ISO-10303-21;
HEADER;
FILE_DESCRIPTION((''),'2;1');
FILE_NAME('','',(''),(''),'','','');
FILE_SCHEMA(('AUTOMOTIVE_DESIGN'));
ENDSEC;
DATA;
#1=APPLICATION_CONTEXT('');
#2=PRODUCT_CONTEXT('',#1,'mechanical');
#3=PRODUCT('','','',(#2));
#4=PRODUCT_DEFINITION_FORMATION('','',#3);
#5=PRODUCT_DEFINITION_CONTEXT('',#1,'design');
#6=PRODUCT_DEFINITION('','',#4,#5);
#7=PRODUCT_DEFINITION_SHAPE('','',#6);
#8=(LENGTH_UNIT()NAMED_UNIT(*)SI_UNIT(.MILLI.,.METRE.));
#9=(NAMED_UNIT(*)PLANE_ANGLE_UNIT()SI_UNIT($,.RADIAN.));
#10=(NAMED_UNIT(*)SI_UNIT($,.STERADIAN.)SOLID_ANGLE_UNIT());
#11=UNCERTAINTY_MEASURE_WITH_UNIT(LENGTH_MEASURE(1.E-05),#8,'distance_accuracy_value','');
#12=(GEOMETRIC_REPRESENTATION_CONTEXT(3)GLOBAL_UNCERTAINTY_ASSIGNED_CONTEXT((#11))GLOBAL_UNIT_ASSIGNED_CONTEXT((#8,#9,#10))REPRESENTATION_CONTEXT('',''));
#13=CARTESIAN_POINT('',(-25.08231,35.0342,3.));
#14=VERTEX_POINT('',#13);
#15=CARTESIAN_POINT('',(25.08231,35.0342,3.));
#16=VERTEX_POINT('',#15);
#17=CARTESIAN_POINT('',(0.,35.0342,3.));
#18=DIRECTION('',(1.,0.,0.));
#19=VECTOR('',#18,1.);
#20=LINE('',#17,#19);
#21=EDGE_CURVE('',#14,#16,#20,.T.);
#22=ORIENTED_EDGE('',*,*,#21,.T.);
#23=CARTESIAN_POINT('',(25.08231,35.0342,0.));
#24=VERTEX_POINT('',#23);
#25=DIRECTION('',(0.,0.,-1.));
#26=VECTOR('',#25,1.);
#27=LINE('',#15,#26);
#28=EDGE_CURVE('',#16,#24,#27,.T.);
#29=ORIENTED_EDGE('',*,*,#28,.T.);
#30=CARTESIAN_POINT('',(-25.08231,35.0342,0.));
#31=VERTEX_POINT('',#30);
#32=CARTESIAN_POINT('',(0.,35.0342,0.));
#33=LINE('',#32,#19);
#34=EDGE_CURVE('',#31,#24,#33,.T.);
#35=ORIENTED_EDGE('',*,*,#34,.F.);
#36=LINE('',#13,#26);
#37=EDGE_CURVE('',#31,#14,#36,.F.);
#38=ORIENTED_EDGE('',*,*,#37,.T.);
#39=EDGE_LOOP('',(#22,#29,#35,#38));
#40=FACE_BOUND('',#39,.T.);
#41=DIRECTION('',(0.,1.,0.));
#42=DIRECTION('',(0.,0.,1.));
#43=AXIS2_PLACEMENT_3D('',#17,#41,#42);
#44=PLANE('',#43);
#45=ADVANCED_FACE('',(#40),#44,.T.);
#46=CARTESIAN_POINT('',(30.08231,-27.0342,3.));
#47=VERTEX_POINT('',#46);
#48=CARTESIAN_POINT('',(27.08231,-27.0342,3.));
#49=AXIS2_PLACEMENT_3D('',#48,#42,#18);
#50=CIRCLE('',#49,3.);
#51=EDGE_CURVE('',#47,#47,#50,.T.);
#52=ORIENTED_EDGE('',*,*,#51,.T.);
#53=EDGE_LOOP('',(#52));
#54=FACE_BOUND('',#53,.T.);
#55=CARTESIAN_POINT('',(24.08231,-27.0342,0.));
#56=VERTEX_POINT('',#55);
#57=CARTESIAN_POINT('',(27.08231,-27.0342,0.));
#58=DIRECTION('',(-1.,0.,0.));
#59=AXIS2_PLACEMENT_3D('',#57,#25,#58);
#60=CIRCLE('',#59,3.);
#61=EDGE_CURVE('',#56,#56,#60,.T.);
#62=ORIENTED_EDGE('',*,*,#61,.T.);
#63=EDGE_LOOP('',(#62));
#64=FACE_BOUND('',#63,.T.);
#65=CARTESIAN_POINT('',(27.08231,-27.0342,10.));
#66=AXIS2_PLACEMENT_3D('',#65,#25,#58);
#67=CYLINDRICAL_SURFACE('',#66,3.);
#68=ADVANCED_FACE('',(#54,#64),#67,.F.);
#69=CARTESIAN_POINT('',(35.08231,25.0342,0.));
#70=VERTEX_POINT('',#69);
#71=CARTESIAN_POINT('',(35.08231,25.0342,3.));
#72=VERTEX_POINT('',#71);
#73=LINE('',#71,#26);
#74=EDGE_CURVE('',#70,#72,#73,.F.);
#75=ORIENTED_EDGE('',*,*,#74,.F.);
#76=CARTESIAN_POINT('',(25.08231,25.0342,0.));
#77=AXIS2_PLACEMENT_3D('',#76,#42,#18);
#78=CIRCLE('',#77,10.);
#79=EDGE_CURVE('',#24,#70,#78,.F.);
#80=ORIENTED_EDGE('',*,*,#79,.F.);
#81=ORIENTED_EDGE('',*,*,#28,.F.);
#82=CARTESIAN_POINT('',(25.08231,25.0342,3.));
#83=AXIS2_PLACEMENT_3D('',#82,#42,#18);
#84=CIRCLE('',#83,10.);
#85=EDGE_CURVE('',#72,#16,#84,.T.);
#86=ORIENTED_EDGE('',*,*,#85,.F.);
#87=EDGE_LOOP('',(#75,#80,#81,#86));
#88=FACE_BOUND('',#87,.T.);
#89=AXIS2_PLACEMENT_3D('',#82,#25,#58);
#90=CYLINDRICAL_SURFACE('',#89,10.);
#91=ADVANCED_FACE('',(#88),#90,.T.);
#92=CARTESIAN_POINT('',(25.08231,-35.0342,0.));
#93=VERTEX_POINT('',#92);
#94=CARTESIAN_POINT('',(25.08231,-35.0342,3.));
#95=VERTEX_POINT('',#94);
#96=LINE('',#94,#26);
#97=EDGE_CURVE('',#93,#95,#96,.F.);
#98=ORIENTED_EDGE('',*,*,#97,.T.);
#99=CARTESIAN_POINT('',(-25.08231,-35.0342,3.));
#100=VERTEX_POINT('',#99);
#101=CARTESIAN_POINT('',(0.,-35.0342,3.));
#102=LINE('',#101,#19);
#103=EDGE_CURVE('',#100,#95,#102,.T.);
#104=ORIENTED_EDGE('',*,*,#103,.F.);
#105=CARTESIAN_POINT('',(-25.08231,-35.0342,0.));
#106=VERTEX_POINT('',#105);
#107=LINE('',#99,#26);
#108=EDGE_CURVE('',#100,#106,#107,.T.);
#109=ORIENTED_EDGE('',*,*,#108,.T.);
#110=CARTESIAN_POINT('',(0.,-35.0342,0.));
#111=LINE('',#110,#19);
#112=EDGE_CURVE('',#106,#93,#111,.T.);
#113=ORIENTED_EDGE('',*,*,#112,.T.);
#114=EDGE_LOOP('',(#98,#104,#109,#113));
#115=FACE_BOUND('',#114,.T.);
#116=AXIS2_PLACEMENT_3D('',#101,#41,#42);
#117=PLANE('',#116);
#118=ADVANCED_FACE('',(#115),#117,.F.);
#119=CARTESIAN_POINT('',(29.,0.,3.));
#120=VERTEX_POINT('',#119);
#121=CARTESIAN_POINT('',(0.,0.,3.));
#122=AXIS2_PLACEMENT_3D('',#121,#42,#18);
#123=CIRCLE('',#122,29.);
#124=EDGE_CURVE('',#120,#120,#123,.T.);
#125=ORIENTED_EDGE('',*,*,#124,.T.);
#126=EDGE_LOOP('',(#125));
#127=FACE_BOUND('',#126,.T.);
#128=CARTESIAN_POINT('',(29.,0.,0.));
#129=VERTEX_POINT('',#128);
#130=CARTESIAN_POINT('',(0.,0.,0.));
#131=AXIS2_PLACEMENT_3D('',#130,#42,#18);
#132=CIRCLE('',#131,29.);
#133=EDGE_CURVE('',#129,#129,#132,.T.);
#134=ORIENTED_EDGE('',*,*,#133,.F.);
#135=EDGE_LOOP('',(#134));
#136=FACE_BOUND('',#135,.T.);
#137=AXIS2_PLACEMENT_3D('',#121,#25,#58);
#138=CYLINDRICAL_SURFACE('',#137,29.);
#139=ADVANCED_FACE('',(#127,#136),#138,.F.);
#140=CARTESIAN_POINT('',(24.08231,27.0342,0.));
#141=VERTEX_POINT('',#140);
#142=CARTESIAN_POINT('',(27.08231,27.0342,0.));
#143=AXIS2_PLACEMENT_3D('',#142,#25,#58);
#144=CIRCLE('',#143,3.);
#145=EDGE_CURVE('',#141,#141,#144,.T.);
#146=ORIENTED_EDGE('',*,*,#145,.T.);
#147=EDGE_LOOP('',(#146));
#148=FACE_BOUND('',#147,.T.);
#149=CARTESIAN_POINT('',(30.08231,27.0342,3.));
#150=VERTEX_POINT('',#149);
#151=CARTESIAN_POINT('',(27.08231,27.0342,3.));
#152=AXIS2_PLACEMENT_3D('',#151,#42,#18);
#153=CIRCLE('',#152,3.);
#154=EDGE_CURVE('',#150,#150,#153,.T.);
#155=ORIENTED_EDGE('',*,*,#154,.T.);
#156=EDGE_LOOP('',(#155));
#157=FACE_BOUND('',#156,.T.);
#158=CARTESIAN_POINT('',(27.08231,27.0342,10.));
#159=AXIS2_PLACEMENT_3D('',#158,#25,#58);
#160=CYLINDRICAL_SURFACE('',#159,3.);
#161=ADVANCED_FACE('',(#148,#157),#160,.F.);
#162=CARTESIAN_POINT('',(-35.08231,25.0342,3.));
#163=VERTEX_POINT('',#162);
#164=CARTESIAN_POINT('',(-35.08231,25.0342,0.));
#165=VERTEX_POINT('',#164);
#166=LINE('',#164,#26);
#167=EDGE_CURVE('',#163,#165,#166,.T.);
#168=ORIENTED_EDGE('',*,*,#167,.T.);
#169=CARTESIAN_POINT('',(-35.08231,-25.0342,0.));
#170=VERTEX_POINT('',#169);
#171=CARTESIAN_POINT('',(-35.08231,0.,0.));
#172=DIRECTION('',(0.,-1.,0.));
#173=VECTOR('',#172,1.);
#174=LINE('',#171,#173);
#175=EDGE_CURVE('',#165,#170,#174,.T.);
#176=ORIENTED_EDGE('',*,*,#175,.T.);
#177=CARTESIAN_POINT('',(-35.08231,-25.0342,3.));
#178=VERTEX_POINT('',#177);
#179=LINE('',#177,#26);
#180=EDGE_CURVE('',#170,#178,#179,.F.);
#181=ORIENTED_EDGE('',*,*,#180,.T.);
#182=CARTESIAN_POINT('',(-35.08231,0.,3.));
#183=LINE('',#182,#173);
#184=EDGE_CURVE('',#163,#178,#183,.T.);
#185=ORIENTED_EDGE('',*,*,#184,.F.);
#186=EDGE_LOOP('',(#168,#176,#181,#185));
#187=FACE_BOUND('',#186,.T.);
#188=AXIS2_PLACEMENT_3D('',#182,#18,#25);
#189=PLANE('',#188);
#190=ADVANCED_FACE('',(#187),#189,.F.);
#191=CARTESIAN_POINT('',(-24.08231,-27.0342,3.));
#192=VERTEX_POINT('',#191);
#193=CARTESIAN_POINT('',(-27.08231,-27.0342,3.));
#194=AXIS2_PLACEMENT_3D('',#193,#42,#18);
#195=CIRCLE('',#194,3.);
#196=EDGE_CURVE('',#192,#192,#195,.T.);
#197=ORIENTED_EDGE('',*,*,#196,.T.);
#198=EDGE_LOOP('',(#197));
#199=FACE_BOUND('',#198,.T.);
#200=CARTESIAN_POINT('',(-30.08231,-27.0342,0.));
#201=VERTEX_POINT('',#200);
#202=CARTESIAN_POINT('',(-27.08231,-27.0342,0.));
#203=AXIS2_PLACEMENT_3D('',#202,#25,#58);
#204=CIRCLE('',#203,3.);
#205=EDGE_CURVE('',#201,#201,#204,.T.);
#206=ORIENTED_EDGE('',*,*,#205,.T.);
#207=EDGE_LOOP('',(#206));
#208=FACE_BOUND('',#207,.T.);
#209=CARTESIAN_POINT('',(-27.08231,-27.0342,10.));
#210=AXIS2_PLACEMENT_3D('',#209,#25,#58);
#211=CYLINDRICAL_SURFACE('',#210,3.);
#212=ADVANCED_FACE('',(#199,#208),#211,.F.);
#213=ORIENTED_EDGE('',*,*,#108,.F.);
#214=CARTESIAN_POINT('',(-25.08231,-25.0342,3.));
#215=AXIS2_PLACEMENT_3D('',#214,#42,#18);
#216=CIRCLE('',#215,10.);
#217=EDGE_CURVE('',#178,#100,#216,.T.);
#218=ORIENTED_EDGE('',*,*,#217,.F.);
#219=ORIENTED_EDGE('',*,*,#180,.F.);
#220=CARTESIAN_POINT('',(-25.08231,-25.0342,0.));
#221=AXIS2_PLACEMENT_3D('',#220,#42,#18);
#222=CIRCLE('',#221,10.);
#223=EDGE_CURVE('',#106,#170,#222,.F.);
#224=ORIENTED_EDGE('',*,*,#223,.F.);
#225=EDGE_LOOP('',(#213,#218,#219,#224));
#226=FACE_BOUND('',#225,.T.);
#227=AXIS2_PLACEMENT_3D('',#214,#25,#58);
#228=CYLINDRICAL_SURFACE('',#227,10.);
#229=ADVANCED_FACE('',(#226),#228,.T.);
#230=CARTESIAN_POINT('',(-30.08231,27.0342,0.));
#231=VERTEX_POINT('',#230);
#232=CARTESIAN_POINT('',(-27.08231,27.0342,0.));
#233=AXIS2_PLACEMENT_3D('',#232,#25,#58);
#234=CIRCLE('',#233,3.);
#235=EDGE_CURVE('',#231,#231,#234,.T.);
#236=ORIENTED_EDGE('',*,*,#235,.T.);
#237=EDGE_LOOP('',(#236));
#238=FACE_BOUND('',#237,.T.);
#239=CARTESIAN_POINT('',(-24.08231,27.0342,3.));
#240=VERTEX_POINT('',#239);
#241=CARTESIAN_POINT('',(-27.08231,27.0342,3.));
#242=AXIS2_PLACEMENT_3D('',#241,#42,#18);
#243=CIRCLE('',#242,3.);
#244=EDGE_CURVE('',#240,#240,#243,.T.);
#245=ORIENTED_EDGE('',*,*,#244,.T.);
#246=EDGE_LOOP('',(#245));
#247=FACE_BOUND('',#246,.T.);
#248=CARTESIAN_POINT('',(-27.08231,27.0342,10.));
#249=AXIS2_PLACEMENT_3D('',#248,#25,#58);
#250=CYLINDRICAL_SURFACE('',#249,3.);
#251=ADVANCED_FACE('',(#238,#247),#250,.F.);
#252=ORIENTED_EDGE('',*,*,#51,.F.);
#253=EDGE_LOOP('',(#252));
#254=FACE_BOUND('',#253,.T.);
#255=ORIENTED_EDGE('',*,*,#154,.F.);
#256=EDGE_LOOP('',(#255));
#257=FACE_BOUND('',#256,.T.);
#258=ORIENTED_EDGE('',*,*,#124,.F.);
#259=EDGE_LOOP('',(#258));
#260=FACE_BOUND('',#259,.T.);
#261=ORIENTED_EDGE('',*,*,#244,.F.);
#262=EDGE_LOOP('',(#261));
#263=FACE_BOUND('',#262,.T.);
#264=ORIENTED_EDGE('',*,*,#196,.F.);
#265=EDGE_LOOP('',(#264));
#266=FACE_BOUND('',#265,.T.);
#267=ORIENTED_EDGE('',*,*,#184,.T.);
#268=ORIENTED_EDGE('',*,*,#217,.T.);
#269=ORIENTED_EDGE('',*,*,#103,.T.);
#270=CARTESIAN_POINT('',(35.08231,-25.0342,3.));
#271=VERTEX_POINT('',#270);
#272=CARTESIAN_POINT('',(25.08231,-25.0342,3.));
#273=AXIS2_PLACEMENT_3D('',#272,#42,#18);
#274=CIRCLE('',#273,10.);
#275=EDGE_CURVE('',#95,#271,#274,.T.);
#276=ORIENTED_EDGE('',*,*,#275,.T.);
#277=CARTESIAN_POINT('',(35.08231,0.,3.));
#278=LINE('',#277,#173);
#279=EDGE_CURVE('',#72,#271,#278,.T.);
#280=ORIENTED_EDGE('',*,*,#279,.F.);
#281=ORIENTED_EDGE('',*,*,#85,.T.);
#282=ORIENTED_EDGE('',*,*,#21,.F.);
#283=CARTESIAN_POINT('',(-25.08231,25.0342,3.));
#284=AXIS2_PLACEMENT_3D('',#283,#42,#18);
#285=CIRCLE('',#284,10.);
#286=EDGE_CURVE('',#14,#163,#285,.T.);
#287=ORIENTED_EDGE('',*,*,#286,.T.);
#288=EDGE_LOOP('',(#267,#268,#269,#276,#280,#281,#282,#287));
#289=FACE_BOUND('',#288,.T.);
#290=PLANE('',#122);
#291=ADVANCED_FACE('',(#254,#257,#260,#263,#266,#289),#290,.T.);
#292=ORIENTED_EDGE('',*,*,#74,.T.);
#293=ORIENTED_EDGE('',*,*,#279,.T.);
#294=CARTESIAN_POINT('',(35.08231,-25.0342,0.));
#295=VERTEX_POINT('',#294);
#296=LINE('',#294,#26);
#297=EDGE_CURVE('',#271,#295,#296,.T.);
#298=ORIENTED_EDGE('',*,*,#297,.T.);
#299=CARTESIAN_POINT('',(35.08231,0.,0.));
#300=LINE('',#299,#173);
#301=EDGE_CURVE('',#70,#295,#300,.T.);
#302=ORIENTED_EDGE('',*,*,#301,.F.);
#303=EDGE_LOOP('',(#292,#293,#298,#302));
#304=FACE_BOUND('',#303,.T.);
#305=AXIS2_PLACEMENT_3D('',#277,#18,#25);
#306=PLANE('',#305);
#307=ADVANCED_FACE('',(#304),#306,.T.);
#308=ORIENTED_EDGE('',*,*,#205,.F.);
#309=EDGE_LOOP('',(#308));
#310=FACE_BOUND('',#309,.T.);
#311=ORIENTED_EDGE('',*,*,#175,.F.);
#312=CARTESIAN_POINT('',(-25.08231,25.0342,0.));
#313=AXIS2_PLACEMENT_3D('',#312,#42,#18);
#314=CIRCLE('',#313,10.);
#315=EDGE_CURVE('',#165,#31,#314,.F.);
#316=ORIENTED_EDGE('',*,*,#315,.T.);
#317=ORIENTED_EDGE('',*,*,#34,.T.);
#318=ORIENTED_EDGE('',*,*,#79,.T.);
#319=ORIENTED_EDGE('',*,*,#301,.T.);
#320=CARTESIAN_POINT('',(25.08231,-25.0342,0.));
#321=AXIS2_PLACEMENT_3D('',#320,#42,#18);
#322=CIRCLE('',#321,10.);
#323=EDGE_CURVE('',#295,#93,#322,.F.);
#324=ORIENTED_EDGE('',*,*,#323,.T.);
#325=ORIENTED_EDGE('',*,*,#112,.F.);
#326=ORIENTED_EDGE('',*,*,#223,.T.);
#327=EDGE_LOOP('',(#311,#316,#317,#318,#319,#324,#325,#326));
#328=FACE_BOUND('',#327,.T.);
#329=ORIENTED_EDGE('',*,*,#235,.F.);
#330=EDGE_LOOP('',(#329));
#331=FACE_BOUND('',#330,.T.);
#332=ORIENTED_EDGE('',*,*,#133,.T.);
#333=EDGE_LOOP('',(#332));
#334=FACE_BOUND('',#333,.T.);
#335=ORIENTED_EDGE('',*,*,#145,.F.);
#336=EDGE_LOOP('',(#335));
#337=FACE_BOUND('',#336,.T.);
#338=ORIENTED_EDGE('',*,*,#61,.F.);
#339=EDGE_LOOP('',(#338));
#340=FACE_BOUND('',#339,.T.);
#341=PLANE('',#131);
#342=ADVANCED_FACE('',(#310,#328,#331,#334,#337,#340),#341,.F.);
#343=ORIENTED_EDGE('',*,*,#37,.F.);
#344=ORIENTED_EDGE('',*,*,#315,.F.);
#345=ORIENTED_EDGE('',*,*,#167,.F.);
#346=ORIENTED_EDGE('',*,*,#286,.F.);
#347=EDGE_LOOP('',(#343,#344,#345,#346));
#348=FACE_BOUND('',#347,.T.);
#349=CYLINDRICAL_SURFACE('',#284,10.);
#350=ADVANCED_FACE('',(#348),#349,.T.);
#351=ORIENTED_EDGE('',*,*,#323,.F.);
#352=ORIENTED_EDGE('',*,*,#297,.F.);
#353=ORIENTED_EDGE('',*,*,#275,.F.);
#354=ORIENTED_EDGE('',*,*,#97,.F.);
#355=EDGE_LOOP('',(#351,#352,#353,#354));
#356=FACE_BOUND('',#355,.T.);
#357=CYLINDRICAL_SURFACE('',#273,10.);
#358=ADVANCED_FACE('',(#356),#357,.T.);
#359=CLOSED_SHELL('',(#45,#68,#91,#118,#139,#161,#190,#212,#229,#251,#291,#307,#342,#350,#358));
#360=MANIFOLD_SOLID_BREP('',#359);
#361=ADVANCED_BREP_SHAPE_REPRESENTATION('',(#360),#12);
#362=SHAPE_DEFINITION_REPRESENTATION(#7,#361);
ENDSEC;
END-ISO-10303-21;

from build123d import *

# Parameters (mm, degrees)
CROQUIS1_W              = 70.164619522
CROQUIS1_H              = 70.068399122
CROQUIS1_R              = 35
CROQUIS1_R_2            = 29
SALIENTE_EXTRUIR1_DEPTH = 3
REDONDEO1_R             = 10
CROQUIS2_R              = 3
CORTAR_EXTRUIR1_DEPTH   = 10


with BuildPart() as part:
    # Croquis1 → Saliente-Extruir1 (new body)
    # profile 1 of 2: a face of its own
    with BuildSketch(Plane.XY):
        Rectangle(CROQUIS1_W, CROQUIS1_H)
        Circle(CROQUIS1_R, mode=Mode.SUBTRACT)
    # profile 2 of 2: a face of its own
    with BuildSketch(Plane.XY):
        Circle(CROQUIS1_R)
        Circle(CROQUIS1_R_2, mode=Mode.SUBTRACT)
    extrude(amount=SALIENTE_EXTRUIR1_DEPTH)

    # Redondeo1
    redondeo1_edges = [part.edges().sort_by_distance(p)[0] for p in [
        (35.082309761, -35.034199561, 1.5),
        (-35.082309761, -35.034199561, 1.5),
        (-35.082309761, 35.034199561, 1.5),
        (35.082309761, 35.034199561, 1.5),
    ]]
    fillet(redondeo1_edges, radius=REDONDEO1_R)

    # Croquis2 → Cortar-Extruir1 (cut)
    with BuildSketch(Plane(origin=(0, 0, 0), x_dir=(-1, 0, 0), z_dir=(0, 0, -1))):
        with Locations((-27.082309761, 27.034199561)):
            Circle(CROQUIS2_R)
        with Locations((27.082309761, 27.034199561)):
            Circle(CROQUIS2_R)
        with Locations((-27.082309761, -27.034199561)):
            Circle(CROQUIS2_R)
        with Locations((27.082309761, -27.034199561)):
            Circle(CROQUIS2_R)
    extrude(amount=-CORTAR_EXTRUIR1_DEPTH, mode=Mode.SUBTRACT)


solid = part.part
